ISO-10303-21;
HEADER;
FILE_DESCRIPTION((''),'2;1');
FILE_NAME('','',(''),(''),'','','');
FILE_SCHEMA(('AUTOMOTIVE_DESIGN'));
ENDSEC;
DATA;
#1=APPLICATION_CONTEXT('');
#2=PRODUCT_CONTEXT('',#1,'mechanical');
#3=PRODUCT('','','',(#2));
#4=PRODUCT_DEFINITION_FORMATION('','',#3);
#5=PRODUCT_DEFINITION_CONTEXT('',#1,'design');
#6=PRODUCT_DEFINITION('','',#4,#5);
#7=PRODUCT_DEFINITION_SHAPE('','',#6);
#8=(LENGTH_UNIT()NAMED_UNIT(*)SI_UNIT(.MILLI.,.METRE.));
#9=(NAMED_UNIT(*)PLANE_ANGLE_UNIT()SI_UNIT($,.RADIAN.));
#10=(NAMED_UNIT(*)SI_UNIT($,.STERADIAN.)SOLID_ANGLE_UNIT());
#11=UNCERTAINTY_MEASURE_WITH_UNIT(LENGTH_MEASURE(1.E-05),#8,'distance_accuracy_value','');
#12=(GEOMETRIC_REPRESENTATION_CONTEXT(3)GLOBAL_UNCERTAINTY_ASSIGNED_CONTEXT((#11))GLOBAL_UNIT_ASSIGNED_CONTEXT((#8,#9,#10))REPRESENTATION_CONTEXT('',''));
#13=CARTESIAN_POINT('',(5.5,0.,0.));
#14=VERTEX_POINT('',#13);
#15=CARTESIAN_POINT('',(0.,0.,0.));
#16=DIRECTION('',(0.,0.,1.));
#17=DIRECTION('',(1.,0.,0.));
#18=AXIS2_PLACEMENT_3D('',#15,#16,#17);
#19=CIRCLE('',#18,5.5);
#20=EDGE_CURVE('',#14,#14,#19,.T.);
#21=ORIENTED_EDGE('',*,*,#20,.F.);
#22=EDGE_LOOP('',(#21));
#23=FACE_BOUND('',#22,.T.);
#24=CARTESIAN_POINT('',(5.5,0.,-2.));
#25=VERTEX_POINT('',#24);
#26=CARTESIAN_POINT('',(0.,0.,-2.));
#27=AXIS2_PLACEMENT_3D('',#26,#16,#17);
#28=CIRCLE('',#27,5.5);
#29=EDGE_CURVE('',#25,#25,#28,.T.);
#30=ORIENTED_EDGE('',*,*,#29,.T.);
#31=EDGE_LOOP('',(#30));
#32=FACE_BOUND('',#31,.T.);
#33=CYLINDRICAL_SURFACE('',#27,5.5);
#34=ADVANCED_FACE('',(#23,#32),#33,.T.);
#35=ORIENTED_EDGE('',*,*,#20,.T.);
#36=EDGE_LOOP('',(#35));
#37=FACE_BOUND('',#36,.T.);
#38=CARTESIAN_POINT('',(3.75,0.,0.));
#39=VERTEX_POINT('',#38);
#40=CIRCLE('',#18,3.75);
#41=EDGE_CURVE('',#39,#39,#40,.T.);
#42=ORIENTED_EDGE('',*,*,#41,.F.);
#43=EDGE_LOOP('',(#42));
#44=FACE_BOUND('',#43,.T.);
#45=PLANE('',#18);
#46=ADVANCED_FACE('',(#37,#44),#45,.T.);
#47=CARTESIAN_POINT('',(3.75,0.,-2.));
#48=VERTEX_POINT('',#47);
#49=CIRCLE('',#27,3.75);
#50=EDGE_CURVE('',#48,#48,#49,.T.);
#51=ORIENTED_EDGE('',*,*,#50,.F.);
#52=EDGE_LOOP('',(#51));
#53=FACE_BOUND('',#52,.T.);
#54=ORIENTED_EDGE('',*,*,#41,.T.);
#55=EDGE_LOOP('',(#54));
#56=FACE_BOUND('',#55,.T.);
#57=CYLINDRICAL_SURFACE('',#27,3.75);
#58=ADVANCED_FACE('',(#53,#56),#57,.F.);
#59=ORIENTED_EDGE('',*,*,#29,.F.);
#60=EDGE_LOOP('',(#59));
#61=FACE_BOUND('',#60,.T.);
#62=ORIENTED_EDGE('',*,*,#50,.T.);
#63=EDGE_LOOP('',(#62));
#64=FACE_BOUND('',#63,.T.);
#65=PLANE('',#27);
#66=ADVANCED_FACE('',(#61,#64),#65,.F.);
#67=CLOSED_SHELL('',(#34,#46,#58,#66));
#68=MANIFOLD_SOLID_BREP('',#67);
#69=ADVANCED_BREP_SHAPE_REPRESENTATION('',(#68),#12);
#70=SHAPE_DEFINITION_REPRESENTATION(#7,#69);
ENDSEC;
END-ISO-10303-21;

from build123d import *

# Parameters (mm, degrees)
CROQUIS1_R              = 5.5
CROQUIS1_R_2            = 3.75
SALIENTE_EXTRUIR1_DEPTH = 2


with BuildPart() as part:
    # Croquis1 → Saliente-Extruir1 (new body)
    with BuildSketch(Plane.XY):
        Circle(CROQUIS1_R)
        Circle(CROQUIS1_R_2, mode=Mode.SUBTRACT)
    extrude(amount=-SALIENTE_EXTRUIR1_DEPTH)


solid = part.part
